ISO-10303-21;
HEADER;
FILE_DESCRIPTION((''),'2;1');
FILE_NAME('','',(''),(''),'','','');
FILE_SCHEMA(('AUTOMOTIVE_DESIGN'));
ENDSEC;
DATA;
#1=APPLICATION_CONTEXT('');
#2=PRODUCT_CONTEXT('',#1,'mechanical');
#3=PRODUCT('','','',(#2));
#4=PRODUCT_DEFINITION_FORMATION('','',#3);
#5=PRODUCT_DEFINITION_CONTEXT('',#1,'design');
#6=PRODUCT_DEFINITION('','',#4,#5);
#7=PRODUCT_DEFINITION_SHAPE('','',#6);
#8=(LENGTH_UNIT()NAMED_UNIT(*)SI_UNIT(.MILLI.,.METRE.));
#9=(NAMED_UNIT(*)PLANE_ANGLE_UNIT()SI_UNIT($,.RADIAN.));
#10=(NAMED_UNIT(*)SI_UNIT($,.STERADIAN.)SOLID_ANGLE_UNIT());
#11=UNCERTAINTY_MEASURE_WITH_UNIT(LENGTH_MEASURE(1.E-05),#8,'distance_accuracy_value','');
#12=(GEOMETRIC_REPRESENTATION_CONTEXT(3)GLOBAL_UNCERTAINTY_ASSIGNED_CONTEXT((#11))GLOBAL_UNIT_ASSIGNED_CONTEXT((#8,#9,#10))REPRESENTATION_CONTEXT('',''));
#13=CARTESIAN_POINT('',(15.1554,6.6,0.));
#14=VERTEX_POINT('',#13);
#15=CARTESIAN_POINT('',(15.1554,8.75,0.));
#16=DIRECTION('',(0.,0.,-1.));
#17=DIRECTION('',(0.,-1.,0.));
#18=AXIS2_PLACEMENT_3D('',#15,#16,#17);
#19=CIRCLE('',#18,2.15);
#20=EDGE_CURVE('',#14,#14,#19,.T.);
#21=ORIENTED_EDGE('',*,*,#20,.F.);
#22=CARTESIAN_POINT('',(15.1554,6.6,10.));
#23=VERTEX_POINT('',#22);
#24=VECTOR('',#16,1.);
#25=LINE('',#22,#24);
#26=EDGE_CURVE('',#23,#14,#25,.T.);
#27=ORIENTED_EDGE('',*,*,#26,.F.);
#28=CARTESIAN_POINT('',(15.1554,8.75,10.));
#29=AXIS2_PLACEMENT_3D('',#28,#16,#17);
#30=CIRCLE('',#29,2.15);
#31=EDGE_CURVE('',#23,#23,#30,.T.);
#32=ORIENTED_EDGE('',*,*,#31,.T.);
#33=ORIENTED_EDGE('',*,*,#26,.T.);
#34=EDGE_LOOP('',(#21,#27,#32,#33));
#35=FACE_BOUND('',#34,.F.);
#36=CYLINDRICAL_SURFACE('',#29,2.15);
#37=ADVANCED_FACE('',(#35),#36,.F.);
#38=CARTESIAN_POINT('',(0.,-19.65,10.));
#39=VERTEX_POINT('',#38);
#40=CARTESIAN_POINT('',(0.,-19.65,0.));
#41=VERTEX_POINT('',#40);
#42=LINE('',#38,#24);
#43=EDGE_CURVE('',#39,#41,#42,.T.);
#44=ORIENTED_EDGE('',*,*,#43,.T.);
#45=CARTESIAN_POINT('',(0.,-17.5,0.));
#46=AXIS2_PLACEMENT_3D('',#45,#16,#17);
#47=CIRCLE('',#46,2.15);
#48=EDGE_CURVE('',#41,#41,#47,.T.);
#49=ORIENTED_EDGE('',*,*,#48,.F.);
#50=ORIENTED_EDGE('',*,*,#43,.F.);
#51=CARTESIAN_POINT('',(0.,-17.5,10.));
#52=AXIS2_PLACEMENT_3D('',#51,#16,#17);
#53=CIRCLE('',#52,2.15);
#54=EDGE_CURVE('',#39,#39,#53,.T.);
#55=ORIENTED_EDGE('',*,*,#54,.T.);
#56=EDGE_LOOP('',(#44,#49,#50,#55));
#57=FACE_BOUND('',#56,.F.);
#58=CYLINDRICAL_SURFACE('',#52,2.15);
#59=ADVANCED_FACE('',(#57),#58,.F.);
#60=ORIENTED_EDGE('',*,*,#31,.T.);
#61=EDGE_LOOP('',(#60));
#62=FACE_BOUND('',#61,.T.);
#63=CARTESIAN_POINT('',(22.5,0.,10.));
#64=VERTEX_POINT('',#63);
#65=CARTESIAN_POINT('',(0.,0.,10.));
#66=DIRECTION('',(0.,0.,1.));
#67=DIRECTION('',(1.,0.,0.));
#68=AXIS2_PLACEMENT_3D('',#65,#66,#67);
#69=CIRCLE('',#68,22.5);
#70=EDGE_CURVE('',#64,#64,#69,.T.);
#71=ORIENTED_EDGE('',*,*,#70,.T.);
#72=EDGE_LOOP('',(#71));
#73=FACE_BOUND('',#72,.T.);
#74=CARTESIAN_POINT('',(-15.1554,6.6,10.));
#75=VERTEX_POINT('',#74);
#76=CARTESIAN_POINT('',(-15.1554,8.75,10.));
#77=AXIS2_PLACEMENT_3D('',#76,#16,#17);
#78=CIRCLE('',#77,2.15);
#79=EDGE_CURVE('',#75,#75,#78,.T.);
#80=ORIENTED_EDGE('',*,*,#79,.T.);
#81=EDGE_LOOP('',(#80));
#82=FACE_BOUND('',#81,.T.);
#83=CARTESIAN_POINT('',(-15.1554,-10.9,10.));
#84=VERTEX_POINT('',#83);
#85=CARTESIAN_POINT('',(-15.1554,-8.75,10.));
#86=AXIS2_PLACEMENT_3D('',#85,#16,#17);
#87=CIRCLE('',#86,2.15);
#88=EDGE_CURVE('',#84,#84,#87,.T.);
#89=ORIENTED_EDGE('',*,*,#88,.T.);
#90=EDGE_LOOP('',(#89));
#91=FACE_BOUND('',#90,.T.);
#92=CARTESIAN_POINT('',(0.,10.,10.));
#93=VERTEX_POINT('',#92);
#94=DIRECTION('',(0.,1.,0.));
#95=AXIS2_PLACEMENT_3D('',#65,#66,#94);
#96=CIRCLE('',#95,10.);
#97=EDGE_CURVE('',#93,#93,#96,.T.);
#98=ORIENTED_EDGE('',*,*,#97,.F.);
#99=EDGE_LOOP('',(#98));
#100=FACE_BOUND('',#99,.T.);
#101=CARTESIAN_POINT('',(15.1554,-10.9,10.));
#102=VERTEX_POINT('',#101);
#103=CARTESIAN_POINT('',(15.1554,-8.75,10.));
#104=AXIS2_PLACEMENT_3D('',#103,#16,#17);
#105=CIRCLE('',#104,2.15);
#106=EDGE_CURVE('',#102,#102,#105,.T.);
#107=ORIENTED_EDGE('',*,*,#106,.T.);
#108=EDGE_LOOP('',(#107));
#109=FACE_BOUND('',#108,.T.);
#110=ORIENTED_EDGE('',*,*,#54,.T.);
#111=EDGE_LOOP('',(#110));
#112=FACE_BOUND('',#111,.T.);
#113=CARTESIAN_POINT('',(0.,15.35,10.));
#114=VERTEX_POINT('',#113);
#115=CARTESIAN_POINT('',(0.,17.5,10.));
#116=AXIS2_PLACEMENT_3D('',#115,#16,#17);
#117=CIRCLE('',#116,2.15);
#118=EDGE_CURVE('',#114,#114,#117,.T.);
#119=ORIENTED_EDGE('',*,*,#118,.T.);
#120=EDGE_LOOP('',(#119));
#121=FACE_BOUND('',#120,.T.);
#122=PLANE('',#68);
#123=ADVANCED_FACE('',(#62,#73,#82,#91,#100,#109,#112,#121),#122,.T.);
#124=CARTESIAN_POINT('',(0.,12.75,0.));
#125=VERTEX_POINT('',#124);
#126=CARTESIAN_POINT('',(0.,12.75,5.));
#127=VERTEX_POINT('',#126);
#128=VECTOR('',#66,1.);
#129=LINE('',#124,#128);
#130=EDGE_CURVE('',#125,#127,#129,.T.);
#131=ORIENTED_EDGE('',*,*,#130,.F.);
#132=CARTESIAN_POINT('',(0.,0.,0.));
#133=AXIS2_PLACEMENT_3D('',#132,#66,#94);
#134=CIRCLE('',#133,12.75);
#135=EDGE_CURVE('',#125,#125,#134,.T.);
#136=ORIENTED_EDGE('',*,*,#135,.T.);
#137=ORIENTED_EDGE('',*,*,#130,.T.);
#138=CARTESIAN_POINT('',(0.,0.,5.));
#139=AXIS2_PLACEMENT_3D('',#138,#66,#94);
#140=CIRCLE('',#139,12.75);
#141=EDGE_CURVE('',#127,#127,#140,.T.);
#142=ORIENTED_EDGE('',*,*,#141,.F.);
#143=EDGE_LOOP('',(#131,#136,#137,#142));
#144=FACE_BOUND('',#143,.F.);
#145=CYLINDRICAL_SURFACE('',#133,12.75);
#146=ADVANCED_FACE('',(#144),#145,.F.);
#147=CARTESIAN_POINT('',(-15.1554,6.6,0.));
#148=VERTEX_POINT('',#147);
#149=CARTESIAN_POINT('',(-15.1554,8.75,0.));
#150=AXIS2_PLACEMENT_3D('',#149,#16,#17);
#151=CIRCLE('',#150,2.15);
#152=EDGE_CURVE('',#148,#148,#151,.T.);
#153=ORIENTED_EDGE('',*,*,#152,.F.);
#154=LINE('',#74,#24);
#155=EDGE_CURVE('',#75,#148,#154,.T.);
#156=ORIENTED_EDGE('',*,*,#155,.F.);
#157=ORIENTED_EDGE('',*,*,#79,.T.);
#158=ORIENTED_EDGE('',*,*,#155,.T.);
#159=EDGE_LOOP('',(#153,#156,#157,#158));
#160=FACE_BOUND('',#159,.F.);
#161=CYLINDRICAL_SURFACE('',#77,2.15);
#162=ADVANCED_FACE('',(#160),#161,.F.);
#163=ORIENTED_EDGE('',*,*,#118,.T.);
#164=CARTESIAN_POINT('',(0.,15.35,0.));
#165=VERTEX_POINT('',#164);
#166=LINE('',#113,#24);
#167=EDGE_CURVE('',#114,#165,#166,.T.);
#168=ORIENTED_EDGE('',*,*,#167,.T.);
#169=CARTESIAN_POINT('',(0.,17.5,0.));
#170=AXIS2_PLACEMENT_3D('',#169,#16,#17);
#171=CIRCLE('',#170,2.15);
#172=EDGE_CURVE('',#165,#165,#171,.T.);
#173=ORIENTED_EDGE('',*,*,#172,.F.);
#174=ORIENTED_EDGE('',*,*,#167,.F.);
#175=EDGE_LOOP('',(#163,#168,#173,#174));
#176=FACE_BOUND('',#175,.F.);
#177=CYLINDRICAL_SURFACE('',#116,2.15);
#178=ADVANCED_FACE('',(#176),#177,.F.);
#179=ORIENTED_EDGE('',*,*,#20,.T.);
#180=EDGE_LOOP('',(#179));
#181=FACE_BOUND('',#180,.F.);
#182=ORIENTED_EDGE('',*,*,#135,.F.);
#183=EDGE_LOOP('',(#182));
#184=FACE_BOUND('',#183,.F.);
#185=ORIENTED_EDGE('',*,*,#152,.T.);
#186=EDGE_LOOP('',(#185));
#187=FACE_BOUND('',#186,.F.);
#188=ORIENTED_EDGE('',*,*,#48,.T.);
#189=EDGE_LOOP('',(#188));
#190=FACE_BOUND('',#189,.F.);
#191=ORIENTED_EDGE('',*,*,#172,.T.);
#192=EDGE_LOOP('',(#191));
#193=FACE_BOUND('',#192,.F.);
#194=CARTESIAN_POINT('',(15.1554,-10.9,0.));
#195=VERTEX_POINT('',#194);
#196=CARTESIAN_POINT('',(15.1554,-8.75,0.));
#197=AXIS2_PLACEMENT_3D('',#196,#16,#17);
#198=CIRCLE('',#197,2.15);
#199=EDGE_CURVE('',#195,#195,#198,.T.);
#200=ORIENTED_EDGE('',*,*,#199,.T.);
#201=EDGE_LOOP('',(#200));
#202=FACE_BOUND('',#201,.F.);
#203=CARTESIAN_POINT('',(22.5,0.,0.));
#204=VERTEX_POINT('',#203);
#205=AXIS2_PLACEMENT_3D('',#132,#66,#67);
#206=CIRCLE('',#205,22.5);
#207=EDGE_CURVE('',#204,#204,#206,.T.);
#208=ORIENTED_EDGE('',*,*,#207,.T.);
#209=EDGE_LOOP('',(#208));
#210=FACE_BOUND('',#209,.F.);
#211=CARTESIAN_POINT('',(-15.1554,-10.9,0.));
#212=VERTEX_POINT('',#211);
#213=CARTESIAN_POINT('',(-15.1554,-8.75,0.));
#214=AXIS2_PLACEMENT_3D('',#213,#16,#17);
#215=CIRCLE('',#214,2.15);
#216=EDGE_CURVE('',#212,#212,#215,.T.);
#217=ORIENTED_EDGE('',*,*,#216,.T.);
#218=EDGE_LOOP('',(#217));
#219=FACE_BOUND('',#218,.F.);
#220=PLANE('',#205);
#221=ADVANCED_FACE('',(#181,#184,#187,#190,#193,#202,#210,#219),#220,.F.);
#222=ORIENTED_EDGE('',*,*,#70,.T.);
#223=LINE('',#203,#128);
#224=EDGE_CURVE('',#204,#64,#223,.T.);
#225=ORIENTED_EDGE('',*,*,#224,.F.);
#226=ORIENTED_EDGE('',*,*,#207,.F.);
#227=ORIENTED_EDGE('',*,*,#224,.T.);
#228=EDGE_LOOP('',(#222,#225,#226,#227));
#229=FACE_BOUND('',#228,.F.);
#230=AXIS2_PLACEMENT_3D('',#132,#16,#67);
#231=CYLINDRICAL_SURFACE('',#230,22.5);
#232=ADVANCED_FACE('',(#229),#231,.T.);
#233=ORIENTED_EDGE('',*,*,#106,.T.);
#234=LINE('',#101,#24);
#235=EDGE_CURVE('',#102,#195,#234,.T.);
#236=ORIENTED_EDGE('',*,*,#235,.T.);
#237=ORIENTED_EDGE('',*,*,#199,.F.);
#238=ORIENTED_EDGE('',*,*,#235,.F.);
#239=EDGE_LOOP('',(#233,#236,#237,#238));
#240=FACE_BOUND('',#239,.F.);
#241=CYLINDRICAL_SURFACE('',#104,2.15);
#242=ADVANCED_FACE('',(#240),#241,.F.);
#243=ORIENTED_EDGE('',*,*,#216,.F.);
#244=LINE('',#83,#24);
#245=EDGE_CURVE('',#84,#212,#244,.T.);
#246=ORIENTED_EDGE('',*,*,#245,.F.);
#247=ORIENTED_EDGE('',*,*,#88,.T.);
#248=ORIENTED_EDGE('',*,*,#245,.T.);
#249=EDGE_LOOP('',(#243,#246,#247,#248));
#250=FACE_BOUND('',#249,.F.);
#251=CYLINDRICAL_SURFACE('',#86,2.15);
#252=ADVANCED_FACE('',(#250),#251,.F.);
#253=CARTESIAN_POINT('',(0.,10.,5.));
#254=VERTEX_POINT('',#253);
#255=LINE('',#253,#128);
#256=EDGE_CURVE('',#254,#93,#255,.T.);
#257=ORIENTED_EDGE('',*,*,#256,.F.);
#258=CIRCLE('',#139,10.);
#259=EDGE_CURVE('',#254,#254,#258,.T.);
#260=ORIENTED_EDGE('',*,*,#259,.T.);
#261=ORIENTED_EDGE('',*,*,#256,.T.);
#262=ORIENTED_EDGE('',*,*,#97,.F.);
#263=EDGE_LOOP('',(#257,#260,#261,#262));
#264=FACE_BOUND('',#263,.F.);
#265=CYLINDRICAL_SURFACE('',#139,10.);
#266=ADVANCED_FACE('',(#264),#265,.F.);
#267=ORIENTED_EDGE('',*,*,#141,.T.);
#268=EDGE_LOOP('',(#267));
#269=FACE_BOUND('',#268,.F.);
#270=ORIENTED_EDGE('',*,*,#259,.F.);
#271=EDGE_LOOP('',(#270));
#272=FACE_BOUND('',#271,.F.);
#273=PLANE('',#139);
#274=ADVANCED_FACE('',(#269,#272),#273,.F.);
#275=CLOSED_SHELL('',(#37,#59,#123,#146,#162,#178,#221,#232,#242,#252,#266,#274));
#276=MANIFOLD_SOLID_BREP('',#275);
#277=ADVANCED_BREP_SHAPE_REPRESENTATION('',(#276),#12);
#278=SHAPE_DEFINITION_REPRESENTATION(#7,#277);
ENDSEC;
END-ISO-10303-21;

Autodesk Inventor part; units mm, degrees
ref_plane "YZ Plane" through (0, 0, 0) normal (1, 0, 0) x (0, 1, 0)
ref_plane "XZ Plane" through (0, 0, 0) normal (0, 1, 0) x (-1, 0, 0)
ref_plane "XY Plane" through (0, 0, 0) normal (0, 0, 1) x (1, 0, 0)
sketch "Sketch1" plane through (0, 0, 0) normal (0, 0, 1) x (1, 0, 0)
  circle A0 centre (0, 0) radius 22.5
  dimension "d0" = 45
extrude "Extrusion1" add sketch "Sketch1" along normal blind 10
sketch "Sketch4" plane through (0, 0, 10) normal (0, 0, 1) x (1, 0, 0)
  circle A0 centre (0, 0) radius 22.5 projected
  circle A1 centre (0, 0) radius 17.5
  point P0 (0, 17.5)
  point P1 (-15.1554, 8.75)
  point P2 (-15.1554, -8.75)
  point P3 (0, -17.5)
  point P4 (15.1554, -8.75)
  point P5 (15.1554, 8.75)
  dimension "d18" = 35
  dimension "d21" = 360
hole "Hole3" at (0, 17.5, 10) at (-15.1554, 8.75, 10) at (-15.1554, -8.75, 10) at (0, -17.5, 10) at (15.1554, -8.75, 10) at (15.1554, 8.75, 10) direction (0, 0, -1) diameter 4.3 end through all
sketch "Sketch5" plane through (0, 0, 0) normal (0, 0, -1) x (-1, 0, 0)
  circle A0 centre (0, 0) radius 22.5 projected
hole "Hole4" at (0, 0, 0) direction (0, 0, 1) diameter 25.5 depth 5
sketch "Sketch6" plane through (0, 0, 5) normal (0, 0, -1) x (-1, 0, 0)
  circle A0 centre (0, 0) radius 12.75 projected
hole "Hole5" at (0, 0, 5) at (0, 0, 5) direction (0, 0, 1) diameter 20 end through all
properties part number "nylon clamp"
